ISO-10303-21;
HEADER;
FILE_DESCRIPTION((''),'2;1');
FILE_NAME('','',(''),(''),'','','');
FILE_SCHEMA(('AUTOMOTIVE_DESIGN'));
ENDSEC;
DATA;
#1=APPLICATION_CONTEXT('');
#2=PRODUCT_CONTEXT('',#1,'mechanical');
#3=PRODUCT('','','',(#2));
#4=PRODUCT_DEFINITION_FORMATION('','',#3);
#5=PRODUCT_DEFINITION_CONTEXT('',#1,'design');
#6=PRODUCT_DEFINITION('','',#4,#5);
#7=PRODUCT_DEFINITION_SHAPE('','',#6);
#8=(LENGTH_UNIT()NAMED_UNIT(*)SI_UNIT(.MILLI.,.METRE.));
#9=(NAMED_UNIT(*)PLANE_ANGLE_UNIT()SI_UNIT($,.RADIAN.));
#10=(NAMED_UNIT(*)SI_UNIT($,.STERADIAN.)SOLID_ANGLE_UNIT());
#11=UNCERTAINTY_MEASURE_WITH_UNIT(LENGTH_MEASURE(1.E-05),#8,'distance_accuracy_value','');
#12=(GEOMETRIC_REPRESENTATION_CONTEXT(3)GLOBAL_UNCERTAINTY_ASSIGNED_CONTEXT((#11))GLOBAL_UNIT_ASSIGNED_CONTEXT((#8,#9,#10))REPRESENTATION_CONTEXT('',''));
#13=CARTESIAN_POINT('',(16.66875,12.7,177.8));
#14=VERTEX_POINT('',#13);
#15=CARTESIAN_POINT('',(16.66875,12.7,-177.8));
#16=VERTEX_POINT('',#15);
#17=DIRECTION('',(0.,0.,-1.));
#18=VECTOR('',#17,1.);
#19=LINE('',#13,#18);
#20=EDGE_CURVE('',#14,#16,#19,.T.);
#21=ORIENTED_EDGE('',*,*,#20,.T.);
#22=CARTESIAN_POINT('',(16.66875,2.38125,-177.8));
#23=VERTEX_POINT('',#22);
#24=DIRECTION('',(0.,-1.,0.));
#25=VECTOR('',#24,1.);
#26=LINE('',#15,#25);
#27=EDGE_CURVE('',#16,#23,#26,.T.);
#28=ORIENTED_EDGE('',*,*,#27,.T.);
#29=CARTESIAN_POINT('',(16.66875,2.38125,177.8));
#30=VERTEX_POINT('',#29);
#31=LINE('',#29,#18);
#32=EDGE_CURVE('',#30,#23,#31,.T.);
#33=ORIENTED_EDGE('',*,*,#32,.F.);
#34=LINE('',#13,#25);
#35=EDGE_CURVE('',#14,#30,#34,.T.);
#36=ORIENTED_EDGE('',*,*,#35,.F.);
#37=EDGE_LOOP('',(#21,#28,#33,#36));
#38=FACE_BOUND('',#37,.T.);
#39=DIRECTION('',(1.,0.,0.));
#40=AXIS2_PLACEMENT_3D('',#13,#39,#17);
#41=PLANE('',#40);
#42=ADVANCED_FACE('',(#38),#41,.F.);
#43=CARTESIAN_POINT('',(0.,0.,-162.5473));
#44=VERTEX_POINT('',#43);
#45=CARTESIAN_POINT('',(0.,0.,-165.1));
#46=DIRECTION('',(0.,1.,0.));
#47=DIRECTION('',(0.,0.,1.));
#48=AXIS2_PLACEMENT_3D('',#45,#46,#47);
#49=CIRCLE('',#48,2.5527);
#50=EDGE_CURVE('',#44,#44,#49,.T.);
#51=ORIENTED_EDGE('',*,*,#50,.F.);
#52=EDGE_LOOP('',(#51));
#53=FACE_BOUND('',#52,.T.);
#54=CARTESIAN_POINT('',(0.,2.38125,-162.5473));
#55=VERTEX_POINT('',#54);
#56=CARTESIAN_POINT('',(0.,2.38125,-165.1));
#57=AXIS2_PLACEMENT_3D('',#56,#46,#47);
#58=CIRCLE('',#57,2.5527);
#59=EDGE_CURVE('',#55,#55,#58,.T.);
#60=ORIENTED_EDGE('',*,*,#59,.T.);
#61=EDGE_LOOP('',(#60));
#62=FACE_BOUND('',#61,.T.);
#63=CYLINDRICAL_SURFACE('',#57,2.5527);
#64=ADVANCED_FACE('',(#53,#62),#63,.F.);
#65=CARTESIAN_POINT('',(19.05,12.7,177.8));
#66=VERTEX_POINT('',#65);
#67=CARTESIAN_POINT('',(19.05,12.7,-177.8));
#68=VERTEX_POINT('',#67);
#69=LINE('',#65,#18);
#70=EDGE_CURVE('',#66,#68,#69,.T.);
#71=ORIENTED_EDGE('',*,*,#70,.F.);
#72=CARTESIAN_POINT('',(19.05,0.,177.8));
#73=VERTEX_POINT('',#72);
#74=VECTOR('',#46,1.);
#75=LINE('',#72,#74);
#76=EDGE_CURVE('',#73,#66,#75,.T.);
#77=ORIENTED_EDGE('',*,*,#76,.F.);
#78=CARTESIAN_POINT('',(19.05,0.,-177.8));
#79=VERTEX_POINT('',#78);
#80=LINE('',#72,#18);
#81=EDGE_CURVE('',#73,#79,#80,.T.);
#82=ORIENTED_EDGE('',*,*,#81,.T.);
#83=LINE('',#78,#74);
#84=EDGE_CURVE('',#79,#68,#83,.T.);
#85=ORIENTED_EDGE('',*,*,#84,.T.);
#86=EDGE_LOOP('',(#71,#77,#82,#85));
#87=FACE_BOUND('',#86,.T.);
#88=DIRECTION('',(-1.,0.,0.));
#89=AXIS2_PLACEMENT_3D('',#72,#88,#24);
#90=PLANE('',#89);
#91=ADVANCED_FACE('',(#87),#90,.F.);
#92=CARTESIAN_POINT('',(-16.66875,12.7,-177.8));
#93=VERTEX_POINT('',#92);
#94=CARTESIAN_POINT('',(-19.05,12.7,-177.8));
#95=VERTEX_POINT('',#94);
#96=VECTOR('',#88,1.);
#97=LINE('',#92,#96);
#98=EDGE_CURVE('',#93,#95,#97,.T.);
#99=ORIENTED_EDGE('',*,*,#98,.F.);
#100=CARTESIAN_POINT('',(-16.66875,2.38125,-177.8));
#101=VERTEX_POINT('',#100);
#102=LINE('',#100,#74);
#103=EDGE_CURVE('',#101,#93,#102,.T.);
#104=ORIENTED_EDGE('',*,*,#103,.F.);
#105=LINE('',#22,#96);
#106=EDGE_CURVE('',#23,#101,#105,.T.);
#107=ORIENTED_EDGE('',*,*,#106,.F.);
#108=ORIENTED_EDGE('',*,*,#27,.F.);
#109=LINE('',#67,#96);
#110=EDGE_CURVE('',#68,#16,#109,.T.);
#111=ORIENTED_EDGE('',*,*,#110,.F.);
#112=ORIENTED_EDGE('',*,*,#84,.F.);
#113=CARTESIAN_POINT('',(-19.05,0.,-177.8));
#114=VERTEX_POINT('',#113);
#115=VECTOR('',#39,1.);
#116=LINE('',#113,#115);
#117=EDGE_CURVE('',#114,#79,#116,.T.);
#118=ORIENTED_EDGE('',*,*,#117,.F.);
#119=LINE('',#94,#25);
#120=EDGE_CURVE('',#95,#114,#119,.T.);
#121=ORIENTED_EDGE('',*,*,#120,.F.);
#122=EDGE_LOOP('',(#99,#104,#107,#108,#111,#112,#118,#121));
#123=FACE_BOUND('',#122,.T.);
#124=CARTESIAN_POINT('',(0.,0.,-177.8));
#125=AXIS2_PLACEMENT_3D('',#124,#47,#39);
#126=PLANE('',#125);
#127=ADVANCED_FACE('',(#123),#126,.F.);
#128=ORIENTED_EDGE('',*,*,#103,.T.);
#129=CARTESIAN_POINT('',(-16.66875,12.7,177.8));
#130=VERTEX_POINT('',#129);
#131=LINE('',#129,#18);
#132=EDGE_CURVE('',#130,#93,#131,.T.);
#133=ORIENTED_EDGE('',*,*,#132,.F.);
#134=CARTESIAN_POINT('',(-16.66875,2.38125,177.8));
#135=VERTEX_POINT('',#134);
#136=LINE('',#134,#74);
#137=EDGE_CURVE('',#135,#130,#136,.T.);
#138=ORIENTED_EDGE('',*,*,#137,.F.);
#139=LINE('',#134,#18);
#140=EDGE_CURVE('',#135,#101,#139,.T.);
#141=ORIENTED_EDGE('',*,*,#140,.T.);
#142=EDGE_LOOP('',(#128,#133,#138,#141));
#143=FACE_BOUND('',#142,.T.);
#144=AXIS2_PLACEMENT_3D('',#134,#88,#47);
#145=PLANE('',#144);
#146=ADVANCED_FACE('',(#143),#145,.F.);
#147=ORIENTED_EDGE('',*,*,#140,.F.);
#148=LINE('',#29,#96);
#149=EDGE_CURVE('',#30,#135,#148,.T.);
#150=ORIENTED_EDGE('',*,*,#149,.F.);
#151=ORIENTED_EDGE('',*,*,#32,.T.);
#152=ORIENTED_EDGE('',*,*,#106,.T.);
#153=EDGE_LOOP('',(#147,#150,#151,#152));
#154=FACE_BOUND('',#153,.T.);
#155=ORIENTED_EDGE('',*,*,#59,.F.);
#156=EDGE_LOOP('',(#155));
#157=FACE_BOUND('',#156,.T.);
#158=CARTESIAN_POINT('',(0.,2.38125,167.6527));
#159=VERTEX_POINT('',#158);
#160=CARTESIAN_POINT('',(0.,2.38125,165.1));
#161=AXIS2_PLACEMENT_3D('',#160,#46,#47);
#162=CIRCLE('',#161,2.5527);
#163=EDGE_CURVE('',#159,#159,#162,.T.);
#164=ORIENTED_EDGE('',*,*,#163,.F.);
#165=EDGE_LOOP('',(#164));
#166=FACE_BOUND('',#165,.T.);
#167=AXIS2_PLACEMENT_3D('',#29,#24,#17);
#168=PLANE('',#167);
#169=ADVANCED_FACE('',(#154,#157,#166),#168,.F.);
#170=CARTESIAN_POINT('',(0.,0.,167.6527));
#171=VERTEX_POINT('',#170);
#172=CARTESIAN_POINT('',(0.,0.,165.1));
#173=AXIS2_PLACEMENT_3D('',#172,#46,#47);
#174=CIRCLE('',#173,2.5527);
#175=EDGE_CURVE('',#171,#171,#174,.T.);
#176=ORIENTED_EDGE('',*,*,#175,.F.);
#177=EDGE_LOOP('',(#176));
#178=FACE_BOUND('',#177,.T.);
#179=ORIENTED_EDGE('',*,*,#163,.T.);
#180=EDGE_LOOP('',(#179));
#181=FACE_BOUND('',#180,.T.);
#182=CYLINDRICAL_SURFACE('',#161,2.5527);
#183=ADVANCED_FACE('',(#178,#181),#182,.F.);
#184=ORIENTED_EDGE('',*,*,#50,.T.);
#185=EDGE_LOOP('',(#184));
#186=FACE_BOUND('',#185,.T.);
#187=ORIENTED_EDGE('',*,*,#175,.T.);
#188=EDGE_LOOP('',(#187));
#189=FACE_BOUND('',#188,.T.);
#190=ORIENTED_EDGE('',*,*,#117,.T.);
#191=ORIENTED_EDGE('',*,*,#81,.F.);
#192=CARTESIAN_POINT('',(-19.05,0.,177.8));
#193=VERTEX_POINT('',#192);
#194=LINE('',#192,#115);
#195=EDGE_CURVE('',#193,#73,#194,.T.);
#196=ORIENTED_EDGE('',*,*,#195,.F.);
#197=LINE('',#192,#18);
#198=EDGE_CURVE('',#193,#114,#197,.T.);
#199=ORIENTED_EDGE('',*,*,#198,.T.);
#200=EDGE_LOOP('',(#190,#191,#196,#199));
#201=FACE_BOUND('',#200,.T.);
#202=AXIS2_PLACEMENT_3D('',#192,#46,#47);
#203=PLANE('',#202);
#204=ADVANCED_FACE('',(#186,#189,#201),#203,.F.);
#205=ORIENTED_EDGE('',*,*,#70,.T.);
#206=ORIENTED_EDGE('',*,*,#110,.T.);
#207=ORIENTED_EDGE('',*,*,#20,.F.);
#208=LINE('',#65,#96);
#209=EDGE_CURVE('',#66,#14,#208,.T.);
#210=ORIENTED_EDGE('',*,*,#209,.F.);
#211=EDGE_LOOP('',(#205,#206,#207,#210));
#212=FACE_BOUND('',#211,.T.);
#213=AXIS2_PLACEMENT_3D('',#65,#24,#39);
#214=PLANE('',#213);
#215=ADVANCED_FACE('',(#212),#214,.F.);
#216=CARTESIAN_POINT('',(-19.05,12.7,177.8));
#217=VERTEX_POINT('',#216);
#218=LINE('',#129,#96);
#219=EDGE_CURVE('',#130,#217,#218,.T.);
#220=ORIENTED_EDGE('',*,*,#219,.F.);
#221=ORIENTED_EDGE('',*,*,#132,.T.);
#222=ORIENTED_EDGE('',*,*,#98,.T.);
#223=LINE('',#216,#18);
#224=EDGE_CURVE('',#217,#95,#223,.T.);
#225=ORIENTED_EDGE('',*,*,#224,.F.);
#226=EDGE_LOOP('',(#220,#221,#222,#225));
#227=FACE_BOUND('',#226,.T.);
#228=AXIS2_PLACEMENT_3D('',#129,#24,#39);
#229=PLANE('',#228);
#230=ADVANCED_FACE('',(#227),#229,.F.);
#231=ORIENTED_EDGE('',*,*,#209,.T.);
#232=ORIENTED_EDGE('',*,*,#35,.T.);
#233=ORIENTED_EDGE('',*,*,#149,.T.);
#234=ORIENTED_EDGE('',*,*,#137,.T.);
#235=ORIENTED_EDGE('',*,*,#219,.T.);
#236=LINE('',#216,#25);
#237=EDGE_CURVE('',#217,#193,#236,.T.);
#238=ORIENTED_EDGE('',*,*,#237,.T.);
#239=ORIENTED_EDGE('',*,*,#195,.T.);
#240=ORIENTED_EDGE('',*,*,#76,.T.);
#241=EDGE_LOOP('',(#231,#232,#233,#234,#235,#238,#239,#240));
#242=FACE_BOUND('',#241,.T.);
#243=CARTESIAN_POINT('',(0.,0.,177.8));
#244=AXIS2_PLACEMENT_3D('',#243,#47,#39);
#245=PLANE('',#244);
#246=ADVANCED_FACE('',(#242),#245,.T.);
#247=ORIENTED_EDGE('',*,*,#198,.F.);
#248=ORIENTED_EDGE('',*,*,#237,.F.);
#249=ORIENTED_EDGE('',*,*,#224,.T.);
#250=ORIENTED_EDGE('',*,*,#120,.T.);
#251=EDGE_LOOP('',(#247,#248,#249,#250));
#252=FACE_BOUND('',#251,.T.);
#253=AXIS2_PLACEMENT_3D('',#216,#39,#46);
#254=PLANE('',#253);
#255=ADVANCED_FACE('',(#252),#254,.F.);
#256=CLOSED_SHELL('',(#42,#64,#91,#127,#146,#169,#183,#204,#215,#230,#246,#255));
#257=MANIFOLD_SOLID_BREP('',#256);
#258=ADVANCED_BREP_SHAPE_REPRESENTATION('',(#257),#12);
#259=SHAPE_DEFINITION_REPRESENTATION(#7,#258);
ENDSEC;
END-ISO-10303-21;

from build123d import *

# Parameters (mm, degrees)
BOSS_EXTRUDE1_DEPTH     = 177.8
F_1_4_20_TAPPED_HOLE1_D = 5.1054


with BuildPart() as part:
    # Sketch2 → Boss-Extrude1 (new, symmetric)
    with BuildSketch(Plane.XY):
        Polygon((-16.66875, 12.7), (-19.05, 12.7), (-19.05, 0), (19.05, 0), (19.05, 12.7), (16.66875, 12.7), (16.66875, 2.38125), (-16.66875, 2.38125), align=None)
    extrude(amount=BOSS_EXTRUDE1_DEPTH, both=True)

    # 1/4-20 Tapped Hole1 (through all)
    with Locations(Plane(origin=(0, 2.38125, 0), x_dir=(1, 0, 0), z_dir=(0, 1, 0))):
        with Locations((0, -165.1)):
            f_1_4_20_tapped_hole1 = Hole(F_1_4_20_TAPPED_HOLE1_D / 2)

    # Mirror1: 1/4-20 Tapped Hole1 across plane
    add(f_1_4_20_tapped_hole1.mirror(Plane.XY), mode=Mode.SUBTRACT)


solid = part.part
